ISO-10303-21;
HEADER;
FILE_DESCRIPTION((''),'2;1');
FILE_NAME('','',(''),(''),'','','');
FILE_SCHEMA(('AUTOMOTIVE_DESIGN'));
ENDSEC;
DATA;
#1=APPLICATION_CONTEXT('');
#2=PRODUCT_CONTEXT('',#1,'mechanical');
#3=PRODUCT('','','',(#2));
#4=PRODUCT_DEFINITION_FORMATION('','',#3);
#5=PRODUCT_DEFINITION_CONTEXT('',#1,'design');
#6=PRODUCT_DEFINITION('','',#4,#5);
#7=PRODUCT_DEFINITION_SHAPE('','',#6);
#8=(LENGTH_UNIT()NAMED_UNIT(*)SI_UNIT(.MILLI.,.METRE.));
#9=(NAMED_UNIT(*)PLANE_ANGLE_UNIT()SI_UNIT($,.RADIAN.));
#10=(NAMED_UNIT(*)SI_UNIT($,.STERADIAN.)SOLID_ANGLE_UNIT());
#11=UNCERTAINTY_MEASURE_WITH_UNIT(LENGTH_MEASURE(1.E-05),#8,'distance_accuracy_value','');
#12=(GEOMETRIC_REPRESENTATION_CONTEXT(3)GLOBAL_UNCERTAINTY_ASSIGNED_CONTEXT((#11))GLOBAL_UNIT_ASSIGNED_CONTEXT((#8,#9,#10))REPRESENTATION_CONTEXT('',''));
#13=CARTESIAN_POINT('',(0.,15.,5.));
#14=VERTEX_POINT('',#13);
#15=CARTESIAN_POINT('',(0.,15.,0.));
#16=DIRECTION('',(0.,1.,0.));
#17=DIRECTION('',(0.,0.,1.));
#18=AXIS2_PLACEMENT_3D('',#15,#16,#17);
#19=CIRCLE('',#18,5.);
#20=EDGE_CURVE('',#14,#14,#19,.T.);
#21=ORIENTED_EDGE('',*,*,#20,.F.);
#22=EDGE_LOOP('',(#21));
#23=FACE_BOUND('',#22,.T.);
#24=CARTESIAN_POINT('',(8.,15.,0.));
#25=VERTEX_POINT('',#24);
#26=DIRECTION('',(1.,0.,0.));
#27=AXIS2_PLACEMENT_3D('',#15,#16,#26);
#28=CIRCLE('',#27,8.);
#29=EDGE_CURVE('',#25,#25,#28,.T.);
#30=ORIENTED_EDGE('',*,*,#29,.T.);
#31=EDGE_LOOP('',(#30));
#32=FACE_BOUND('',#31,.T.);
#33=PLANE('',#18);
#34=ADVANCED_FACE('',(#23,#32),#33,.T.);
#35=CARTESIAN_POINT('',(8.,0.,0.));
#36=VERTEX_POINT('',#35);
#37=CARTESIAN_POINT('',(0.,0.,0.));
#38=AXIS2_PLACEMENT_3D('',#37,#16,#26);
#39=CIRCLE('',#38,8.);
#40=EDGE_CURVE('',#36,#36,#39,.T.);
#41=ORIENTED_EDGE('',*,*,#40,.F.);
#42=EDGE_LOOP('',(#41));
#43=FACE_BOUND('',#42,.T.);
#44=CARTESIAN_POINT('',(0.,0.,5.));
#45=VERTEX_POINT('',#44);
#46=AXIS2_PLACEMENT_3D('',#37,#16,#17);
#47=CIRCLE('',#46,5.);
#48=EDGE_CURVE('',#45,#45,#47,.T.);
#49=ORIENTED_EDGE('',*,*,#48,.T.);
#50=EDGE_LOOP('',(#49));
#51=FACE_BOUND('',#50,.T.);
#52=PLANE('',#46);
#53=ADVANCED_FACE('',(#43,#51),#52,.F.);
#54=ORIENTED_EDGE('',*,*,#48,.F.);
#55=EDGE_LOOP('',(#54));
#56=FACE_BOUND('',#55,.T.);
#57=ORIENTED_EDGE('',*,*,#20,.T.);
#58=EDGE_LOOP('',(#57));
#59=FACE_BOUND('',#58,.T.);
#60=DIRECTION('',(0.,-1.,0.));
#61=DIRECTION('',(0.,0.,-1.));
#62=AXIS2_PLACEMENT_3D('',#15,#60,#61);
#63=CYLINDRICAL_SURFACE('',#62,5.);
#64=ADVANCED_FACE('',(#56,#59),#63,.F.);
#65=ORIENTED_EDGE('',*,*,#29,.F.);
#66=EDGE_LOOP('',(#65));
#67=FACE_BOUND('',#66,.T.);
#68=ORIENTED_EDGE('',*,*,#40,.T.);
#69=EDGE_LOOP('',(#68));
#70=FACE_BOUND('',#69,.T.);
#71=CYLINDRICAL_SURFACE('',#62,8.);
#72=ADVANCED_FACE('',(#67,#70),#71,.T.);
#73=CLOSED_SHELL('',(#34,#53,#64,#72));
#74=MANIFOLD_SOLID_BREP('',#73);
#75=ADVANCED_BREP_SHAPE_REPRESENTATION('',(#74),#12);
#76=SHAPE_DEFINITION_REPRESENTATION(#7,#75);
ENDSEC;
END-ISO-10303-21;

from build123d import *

# Parameters (mm, degrees)
SKETCH_1_R      = 8
SKETCH_1_R_2    = 5
EXTRUDE_1_DEPTH = 15


with BuildPart() as part:
    # Эскиз1 → Вытянуть-Тонкостенный1 (new body)
    with BuildSketch(Plane(origin=(0, 0, 0), x_dir=(1, 0, 0), z_dir=(0, 1, 0))):
        Circle(SKETCH_1_R)
        Circle(SKETCH_1_R_2, mode=Mode.SUBTRACT)
    extrude(amount=EXTRUDE_1_DEPTH)


solid = part.part
